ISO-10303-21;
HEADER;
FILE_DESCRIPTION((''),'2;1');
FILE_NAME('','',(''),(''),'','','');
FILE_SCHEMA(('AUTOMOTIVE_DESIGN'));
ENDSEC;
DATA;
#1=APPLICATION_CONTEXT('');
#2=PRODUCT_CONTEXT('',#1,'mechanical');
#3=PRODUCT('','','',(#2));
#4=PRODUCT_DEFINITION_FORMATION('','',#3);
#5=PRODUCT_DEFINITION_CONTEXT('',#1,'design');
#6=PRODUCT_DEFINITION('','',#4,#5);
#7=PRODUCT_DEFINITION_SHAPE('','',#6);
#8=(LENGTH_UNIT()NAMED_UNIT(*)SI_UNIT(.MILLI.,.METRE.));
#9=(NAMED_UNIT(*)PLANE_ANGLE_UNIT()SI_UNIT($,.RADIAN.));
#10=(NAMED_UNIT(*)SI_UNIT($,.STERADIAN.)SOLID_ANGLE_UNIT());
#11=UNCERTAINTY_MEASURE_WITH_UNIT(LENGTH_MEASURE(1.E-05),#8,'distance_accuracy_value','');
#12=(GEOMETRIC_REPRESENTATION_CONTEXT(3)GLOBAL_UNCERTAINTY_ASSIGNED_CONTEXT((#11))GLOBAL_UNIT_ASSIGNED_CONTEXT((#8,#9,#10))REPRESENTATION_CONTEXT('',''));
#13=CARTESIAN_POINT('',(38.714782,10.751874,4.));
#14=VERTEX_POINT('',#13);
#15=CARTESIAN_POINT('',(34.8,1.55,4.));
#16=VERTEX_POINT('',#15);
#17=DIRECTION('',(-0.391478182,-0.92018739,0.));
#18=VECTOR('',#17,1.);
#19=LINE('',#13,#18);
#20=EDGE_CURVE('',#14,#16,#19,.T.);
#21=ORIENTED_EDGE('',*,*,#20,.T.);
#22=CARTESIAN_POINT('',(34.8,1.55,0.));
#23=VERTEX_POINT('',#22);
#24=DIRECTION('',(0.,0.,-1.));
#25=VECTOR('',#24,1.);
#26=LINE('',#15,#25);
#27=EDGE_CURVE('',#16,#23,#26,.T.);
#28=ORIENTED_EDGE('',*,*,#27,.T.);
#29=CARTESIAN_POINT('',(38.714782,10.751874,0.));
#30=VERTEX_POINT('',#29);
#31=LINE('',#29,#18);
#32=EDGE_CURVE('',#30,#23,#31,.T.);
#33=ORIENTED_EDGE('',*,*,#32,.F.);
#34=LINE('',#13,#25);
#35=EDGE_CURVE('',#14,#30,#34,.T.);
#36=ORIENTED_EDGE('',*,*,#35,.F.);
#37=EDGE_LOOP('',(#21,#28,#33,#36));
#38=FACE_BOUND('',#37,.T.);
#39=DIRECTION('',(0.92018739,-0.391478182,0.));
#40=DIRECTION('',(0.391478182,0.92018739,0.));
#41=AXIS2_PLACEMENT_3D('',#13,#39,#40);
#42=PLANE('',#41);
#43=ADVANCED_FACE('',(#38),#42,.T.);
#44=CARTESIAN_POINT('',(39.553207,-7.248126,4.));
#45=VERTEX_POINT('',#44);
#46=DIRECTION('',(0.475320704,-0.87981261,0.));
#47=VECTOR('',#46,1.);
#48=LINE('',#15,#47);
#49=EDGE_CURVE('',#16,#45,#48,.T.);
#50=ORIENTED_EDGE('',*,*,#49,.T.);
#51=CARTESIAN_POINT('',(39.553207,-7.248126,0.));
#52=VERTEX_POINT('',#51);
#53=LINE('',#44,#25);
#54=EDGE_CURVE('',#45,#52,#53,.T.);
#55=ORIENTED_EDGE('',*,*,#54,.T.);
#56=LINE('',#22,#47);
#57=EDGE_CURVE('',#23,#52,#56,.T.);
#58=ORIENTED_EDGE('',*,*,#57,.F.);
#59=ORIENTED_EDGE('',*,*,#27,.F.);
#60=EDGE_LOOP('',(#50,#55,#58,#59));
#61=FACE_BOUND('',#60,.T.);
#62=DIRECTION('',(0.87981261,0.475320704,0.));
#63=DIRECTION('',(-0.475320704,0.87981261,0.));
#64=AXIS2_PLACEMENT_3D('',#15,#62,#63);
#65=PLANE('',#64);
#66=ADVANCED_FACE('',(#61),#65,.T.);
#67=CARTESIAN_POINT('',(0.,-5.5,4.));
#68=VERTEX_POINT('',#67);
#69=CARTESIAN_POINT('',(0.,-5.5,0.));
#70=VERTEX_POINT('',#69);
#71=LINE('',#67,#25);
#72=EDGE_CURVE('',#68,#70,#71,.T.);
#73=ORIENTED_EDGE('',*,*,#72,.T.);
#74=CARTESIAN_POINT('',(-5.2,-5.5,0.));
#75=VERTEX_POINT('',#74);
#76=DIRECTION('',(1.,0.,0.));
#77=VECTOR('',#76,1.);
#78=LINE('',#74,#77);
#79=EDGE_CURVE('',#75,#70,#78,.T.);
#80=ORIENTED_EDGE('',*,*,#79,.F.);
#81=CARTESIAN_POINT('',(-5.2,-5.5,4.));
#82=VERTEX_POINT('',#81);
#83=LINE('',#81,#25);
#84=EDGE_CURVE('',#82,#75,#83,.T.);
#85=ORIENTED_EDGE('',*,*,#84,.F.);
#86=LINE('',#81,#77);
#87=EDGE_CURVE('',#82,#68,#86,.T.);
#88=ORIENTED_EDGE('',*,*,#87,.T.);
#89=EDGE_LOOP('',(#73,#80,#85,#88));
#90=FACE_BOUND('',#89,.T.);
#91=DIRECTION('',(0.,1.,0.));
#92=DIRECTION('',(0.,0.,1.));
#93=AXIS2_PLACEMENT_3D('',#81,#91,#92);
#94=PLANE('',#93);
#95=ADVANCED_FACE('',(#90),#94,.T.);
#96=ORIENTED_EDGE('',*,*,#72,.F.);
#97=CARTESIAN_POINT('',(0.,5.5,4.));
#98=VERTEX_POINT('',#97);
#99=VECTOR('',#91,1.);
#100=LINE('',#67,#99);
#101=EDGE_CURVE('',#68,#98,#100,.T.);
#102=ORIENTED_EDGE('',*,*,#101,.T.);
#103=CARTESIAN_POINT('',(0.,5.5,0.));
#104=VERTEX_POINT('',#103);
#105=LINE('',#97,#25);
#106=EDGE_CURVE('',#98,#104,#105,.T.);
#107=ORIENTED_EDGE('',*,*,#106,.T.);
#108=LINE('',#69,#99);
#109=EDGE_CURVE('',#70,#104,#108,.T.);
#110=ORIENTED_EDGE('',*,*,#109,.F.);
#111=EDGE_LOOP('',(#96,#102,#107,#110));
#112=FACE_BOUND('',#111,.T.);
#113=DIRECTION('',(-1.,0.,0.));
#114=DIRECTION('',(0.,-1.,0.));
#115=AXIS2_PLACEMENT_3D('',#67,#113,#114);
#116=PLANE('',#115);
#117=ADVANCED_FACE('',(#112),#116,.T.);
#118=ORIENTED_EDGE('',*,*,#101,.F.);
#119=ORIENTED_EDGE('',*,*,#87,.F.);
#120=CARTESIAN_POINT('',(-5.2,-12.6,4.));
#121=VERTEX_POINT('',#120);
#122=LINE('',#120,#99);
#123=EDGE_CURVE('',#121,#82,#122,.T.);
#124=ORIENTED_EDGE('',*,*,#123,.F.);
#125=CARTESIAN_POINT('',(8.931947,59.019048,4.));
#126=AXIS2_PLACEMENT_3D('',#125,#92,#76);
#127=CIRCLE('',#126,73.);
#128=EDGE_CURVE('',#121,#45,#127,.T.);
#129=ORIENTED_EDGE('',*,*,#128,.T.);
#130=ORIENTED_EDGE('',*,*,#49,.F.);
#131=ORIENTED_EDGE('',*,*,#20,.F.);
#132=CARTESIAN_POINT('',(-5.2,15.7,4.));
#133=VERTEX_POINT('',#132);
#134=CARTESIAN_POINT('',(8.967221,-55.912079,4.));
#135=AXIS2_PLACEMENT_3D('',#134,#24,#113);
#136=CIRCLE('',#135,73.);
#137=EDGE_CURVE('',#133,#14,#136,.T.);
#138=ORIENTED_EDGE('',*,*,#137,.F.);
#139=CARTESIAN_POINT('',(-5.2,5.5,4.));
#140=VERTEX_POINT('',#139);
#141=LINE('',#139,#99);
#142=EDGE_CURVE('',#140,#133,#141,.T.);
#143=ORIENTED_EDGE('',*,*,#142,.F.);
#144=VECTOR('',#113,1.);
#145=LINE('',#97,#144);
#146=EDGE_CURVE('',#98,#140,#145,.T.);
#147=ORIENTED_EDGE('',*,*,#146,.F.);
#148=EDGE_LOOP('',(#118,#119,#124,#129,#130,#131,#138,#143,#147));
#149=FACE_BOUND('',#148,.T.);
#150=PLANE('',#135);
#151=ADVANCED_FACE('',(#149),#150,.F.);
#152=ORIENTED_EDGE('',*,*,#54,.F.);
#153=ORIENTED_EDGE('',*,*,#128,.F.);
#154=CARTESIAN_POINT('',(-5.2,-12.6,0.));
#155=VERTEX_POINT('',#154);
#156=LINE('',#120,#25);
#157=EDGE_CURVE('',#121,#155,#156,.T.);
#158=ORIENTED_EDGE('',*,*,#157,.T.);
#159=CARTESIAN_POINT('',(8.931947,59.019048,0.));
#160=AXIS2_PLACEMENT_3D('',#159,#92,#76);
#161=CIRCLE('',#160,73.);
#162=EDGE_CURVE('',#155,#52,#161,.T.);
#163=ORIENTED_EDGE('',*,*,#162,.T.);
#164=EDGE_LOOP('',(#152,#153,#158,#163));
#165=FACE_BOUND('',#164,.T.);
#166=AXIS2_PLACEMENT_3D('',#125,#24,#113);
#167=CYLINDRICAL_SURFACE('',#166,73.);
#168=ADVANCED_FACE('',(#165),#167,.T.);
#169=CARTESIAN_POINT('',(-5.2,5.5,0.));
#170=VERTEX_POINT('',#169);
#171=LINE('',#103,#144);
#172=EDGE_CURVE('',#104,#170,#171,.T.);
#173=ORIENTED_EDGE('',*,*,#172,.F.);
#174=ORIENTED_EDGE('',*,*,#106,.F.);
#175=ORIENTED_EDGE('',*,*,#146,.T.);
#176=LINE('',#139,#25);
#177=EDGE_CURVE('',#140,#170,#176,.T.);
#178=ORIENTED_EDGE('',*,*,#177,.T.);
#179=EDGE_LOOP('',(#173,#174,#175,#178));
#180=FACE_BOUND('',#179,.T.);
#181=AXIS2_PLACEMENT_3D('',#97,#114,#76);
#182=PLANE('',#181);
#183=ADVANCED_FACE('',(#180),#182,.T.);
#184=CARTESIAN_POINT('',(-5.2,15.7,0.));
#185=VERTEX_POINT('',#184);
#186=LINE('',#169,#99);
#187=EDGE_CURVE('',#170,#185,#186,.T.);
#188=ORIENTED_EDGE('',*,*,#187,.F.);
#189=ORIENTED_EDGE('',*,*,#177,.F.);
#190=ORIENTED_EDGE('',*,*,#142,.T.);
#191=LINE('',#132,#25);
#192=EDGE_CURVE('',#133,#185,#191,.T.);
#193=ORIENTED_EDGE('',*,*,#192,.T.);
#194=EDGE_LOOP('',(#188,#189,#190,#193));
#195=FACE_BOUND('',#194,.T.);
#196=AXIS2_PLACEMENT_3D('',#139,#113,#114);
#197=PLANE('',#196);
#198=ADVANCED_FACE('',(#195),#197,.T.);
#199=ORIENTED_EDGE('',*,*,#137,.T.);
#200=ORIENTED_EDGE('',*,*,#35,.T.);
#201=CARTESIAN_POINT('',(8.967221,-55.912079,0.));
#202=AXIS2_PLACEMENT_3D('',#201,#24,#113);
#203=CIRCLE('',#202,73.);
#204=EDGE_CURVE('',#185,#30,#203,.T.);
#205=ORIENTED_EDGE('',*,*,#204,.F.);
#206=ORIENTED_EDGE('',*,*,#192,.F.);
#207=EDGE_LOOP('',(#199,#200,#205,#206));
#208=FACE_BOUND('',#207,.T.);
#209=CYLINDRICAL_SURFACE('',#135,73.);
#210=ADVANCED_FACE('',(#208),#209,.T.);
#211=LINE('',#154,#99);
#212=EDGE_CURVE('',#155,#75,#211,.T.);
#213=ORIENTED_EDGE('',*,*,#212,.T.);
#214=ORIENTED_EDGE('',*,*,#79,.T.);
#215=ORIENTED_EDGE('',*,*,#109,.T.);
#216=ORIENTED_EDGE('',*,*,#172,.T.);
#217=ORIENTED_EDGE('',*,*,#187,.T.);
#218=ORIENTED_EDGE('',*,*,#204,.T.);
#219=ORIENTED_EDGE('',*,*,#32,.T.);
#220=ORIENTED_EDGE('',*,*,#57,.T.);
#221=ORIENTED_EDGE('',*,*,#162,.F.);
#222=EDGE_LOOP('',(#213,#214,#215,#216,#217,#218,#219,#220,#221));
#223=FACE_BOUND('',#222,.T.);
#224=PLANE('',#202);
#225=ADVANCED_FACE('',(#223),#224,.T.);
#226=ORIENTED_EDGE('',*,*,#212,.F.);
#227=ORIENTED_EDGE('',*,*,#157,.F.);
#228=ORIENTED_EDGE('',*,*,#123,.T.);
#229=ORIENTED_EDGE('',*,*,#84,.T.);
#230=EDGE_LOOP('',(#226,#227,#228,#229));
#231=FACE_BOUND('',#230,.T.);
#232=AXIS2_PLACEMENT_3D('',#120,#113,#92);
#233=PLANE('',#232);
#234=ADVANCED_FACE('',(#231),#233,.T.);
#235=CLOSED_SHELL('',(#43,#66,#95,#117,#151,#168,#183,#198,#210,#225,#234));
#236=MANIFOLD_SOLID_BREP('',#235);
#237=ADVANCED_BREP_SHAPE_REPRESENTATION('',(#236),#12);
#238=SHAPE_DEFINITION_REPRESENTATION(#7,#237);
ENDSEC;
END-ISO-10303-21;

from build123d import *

# Parameters (mm, degrees)
BOSS_EXTRUDE1_DEPTH = 4


with BuildPart() as part:
    # Sketch1 → Boss-Extrude1 (new body)
    with BuildSketch(Plane.XY):
        with BuildLine():
            Line((0, 5.5), (-5.2, 5.5))
            Line((-5.2, 5.5), (-5.2, 15.7))
            ThreePointArc((-5.2, 15.7), (17.140820884, 16.628890564), (38.714781823, 10.751873901))
            Line((38.714781823, 10.751873901), (34.8, 1.55))
            Line((34.8, 1.55), (39.553207037, -7.248126099))
            ThreePointArc((39.553207037, -7.248126099), (17.599991723, -13.46450147), (-5.2, -12.6))
            Line((-5.2, -12.6), (-5.2, -5.5))
            Line((-5.2, -5.5), (0, -5.5))
            Line((0, -5.5), (0, 5.5))
        make_face()
    extrude(amount=BOSS_EXTRUDE1_DEPTH)


solid = part.part
